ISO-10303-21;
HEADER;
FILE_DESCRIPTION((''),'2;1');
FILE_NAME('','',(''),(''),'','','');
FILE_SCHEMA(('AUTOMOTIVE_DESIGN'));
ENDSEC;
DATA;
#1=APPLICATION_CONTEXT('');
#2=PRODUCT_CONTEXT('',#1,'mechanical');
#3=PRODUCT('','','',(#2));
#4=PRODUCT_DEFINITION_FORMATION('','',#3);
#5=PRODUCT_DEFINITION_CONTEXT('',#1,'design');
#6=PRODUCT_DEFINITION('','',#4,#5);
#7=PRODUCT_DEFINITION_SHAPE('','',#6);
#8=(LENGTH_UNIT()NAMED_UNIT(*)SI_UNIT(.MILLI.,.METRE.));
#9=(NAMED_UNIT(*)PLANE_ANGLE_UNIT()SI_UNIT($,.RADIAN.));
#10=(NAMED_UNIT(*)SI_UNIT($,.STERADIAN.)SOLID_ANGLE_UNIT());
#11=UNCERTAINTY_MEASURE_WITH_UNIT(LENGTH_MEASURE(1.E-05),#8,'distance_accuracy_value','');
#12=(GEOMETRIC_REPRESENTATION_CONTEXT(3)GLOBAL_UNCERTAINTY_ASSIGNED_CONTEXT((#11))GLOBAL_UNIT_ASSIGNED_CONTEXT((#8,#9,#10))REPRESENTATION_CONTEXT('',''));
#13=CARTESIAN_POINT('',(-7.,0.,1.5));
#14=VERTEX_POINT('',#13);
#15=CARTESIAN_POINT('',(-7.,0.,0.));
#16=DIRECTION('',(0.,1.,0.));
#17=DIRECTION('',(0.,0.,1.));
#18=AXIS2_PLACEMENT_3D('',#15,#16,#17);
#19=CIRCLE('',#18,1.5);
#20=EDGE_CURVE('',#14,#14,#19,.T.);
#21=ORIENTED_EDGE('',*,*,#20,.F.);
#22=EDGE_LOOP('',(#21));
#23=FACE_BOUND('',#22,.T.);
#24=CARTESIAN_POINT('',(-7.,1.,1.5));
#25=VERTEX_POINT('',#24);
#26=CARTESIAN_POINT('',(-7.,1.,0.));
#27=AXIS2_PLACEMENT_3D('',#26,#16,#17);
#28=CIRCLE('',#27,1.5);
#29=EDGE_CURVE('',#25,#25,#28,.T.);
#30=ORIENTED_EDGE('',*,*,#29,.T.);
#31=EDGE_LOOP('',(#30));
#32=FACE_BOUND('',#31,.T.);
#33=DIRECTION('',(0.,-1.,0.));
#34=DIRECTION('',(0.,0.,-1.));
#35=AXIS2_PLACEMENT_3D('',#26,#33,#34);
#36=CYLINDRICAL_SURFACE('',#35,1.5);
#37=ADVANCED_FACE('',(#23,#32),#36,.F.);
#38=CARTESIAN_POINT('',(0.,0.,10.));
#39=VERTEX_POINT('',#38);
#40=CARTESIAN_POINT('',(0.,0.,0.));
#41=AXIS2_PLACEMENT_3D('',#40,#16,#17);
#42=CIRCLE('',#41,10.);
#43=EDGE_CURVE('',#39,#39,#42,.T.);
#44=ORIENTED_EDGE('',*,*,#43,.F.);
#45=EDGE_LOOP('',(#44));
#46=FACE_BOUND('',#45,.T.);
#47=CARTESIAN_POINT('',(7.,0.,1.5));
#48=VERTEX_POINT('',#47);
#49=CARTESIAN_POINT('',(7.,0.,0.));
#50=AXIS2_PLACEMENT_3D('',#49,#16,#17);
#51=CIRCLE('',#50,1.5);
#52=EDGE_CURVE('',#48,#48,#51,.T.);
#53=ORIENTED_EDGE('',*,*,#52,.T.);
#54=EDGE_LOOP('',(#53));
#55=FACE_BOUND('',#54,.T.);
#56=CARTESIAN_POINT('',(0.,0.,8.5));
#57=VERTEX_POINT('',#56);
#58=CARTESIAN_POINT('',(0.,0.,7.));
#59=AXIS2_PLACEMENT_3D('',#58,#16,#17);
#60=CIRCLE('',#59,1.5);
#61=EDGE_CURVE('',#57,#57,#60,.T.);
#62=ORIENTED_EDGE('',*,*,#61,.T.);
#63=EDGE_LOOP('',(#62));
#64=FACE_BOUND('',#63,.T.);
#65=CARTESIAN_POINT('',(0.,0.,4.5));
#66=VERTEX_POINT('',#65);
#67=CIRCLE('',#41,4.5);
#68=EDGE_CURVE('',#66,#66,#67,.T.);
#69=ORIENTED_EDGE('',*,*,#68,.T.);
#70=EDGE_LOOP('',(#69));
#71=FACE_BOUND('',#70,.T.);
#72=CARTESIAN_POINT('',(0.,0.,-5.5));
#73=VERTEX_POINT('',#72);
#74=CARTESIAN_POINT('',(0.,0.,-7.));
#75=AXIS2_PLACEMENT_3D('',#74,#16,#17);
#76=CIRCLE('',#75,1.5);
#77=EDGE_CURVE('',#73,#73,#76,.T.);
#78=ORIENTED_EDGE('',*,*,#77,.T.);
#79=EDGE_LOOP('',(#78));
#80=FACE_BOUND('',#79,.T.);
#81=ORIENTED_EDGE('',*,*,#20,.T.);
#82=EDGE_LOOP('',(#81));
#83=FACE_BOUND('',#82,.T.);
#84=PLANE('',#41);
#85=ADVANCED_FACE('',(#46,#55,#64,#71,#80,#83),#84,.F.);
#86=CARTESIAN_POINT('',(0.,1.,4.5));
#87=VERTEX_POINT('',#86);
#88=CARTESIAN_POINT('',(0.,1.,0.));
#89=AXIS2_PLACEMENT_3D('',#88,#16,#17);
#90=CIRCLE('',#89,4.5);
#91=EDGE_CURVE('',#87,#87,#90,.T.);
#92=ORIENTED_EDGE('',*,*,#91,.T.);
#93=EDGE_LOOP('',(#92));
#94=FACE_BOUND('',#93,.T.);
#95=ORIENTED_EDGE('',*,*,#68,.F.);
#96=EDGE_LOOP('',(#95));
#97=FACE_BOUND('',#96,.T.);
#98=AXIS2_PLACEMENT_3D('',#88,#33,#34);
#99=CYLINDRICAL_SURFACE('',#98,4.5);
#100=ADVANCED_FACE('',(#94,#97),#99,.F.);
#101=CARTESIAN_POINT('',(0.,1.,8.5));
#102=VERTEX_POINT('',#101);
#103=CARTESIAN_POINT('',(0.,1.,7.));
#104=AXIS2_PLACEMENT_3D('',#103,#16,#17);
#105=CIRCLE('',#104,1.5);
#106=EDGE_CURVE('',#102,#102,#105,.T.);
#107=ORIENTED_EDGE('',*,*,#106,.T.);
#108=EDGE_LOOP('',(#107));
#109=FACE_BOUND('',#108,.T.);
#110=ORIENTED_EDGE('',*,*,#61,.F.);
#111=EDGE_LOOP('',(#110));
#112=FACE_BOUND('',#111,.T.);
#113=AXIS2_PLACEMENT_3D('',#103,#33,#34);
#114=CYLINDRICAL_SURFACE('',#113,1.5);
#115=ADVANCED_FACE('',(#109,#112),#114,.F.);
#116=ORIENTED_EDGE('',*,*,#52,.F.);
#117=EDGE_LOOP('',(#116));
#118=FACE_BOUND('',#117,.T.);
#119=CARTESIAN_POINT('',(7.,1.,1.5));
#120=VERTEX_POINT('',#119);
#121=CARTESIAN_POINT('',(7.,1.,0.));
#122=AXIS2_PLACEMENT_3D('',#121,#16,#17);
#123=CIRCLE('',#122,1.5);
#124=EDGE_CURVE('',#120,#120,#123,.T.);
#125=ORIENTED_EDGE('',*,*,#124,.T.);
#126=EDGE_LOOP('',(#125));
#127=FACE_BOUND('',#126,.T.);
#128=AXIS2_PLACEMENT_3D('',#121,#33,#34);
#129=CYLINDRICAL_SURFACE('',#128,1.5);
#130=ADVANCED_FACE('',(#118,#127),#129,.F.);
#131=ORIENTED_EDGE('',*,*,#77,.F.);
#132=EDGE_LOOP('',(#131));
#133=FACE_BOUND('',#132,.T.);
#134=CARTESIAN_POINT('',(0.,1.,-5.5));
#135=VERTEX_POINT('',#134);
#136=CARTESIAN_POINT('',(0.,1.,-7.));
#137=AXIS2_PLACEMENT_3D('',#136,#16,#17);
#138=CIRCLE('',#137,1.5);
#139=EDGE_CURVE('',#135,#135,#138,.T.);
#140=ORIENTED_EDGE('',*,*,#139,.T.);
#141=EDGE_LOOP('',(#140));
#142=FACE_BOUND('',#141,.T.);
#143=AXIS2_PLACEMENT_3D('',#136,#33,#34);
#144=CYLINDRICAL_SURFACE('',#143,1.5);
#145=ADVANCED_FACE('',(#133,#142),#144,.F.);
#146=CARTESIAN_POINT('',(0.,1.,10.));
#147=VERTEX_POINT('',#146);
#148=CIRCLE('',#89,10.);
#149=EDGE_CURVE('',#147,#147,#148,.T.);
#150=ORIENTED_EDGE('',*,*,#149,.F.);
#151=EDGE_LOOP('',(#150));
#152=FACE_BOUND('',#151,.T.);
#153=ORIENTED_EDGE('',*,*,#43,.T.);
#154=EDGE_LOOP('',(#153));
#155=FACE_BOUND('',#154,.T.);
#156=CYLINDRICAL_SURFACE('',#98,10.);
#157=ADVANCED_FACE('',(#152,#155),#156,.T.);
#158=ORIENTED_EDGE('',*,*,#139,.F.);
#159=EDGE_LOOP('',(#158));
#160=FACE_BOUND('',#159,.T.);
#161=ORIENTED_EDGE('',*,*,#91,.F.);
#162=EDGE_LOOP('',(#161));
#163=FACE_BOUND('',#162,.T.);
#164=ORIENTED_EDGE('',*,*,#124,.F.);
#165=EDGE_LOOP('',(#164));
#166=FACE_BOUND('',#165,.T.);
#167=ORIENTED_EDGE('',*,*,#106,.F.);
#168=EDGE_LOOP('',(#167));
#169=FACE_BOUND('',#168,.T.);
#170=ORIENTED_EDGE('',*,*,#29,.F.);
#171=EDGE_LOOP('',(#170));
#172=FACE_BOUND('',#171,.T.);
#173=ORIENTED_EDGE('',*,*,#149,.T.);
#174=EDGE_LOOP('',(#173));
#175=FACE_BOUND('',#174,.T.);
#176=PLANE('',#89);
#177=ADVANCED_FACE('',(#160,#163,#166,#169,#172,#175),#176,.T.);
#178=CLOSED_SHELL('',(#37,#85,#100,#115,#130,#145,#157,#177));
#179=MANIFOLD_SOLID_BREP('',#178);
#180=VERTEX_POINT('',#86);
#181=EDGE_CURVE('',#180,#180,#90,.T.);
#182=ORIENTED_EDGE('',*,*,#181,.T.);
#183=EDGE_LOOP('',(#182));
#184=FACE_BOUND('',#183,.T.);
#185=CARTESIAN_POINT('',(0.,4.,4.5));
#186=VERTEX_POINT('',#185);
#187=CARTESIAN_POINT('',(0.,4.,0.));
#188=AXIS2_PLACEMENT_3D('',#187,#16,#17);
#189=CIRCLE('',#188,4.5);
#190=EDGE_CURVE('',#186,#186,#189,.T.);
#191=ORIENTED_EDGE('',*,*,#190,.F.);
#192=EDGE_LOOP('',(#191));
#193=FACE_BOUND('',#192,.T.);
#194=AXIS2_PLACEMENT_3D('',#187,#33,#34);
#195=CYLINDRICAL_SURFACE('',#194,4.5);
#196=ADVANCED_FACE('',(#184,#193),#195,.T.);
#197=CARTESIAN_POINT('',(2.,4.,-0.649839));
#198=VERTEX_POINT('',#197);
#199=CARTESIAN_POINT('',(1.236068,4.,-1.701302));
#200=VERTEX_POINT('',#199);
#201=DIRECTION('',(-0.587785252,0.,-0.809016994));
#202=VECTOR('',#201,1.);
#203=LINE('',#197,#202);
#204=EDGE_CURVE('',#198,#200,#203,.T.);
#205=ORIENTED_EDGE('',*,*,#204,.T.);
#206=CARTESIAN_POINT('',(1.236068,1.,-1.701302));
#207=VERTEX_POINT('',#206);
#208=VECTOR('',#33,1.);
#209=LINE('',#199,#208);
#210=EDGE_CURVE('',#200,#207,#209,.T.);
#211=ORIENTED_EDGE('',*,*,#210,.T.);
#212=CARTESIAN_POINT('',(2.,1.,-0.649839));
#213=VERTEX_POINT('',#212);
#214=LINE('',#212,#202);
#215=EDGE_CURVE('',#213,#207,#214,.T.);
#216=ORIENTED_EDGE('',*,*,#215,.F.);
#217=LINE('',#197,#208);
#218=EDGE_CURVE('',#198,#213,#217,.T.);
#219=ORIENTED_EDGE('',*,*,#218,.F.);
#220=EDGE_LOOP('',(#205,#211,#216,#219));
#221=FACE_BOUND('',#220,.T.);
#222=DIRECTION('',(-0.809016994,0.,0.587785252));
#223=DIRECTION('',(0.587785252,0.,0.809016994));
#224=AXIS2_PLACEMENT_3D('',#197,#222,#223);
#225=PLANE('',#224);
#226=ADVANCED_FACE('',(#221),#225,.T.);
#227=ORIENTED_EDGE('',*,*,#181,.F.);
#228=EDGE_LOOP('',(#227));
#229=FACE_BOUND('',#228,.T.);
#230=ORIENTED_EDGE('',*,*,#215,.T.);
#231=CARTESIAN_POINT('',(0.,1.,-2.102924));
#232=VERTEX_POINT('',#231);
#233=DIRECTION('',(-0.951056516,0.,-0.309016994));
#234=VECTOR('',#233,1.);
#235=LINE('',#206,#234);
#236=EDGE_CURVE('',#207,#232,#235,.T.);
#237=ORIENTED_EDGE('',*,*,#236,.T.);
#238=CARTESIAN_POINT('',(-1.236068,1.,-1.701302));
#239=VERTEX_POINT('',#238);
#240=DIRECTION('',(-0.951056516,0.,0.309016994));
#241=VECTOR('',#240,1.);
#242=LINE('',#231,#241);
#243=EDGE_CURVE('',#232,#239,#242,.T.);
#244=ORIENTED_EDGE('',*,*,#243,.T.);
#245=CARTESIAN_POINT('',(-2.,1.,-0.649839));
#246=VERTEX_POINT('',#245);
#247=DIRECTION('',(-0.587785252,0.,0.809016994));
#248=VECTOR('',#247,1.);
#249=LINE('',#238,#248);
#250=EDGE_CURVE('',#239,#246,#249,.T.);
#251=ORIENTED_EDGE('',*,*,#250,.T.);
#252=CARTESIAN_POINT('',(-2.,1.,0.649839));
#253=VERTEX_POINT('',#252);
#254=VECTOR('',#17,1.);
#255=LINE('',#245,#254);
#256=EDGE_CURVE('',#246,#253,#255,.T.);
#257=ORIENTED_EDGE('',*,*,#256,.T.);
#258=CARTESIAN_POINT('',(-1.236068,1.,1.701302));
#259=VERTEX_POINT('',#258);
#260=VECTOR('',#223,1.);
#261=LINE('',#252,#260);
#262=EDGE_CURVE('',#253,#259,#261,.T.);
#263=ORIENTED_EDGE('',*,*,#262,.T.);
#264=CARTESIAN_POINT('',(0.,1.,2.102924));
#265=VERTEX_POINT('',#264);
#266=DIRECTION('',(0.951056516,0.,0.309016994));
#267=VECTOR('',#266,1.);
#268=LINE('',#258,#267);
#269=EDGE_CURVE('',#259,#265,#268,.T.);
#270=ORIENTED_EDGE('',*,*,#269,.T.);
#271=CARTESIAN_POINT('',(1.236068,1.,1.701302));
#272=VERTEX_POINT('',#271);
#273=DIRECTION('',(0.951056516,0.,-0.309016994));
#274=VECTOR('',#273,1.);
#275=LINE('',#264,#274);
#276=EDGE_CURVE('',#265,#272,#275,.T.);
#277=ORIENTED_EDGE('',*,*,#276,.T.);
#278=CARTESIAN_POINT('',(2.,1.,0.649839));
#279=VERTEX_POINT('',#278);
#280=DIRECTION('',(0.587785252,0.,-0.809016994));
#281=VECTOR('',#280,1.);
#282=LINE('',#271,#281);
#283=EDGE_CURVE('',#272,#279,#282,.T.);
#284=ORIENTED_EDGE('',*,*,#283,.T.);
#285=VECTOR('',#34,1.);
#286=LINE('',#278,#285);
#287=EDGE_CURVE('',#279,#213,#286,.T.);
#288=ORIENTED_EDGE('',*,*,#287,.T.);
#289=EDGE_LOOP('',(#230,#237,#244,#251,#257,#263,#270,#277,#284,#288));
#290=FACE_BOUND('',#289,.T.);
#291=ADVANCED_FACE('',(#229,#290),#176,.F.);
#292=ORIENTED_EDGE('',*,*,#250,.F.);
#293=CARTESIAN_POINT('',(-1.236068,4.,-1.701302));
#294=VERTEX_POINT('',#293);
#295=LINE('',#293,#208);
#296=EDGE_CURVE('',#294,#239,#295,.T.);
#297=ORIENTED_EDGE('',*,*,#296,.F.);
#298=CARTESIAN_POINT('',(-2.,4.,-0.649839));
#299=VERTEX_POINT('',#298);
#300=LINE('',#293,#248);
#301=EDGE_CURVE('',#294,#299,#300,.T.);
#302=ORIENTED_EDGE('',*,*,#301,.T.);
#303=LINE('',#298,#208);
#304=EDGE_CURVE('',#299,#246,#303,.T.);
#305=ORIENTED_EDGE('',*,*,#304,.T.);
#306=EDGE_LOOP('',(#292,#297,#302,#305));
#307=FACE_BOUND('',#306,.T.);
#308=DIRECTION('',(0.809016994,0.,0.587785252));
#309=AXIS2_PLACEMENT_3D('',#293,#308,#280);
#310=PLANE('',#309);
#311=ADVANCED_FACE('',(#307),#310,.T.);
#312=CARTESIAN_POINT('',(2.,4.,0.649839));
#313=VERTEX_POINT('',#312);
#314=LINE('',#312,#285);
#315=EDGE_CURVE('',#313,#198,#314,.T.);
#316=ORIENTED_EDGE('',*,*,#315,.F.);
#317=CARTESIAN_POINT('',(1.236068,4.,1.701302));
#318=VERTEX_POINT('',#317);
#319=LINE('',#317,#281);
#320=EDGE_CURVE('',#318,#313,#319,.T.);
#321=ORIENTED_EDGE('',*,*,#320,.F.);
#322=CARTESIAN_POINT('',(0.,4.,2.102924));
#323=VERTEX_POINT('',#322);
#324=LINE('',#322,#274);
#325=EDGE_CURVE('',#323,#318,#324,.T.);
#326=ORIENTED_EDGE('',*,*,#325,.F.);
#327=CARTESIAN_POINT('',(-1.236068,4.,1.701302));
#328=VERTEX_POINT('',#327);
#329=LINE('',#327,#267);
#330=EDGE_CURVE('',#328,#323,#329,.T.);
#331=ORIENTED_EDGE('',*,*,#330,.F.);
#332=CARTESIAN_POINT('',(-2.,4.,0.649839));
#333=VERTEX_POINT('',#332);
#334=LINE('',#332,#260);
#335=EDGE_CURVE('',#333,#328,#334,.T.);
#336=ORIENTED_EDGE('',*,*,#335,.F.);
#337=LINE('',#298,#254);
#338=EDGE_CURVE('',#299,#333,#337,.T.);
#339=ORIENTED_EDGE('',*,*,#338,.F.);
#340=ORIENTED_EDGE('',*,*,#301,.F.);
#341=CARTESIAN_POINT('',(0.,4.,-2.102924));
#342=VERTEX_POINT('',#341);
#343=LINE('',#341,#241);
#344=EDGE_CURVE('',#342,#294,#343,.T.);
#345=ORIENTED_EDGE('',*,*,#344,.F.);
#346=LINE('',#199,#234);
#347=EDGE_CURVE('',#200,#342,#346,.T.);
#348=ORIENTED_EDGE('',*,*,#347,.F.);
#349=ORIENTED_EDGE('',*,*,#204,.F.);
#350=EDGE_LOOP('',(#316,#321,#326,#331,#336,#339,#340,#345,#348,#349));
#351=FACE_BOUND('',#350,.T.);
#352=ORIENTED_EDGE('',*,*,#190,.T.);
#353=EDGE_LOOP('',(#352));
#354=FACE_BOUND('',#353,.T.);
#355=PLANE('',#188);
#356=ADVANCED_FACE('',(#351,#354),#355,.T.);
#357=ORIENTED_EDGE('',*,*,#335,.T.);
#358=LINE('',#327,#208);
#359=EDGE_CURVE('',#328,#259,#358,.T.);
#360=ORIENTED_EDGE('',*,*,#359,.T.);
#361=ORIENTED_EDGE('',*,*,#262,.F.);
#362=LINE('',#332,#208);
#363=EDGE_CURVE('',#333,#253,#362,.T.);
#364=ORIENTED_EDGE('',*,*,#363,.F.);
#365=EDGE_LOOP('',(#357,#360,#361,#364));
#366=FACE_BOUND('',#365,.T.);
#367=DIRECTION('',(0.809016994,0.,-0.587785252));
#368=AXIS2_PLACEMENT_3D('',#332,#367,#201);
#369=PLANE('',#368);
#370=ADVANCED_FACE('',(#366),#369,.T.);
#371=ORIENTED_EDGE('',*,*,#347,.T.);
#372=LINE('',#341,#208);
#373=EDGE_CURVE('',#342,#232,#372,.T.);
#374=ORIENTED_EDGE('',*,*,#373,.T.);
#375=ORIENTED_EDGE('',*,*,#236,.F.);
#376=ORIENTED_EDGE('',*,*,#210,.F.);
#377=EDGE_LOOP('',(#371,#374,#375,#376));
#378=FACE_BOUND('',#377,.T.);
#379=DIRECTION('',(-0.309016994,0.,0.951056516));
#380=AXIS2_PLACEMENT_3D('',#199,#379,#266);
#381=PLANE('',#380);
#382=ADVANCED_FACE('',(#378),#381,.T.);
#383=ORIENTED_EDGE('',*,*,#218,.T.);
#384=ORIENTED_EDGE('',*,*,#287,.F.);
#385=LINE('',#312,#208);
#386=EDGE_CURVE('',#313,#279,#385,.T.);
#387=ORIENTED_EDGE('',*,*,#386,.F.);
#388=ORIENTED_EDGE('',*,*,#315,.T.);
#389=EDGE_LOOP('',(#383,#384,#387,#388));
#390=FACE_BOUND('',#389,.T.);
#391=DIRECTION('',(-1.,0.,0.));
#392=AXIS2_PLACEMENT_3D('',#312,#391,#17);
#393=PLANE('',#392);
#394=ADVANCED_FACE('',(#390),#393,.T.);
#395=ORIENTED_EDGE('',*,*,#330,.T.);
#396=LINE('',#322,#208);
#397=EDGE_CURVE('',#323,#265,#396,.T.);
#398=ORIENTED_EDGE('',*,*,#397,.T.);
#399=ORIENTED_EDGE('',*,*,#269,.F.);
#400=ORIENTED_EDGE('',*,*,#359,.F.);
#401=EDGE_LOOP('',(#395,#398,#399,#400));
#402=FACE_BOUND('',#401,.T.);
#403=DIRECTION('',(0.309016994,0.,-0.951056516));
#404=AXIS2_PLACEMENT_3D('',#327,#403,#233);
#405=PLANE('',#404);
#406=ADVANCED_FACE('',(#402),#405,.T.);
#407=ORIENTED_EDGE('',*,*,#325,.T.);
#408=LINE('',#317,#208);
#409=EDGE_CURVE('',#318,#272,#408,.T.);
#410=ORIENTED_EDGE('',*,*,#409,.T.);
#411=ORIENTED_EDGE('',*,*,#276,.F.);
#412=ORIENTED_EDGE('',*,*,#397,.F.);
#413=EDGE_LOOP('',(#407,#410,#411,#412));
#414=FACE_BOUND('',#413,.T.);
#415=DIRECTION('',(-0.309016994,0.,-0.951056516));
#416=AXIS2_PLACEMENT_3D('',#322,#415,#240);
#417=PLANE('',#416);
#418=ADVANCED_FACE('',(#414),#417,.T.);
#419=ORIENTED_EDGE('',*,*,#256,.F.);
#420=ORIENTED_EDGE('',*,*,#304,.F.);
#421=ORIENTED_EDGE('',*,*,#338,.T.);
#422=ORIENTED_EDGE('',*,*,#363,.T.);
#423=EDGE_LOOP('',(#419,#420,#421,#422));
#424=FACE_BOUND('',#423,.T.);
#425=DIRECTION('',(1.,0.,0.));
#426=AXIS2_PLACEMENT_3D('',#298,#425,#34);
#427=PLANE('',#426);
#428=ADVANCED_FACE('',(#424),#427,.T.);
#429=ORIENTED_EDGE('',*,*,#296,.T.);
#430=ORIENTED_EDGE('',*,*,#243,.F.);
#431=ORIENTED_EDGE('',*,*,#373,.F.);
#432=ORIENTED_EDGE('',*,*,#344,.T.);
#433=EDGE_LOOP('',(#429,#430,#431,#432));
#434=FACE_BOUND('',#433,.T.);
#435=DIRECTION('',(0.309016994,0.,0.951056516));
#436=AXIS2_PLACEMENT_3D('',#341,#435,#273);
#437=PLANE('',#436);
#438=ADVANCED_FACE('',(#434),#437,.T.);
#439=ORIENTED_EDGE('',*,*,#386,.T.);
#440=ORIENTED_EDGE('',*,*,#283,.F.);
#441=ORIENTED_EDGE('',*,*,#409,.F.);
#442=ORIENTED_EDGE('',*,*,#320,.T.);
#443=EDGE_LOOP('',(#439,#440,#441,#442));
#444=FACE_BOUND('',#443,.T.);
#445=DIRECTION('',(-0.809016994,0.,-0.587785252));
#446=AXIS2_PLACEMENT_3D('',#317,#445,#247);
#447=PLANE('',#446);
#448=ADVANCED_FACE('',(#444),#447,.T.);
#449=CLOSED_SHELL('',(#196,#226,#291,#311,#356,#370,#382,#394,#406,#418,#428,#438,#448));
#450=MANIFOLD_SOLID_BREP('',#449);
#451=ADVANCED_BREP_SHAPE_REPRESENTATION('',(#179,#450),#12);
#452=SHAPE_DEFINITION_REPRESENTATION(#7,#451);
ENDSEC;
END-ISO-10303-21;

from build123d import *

# Parameters (mm, degrees)
SKETCH1_R           = 10
SKETCH1_R_2         = 1.5
SKETCH1_R_3         = 4.5
BOSS_EXTRUDE1_DEPTH = 1
SKETCH2_R           = 4.5
BOSS_EXTRUDE2_DEPTH = 3


with BuildPart() as part:
    # Sketch1 → Boss-Extrude1 (new body)
    with BuildSketch(Plane(origin=(0, 0, 0), x_dir=(1, 0, 0), z_dir=(0, 1, 0))):
        with Locations(Location((0, 0, 0), (0, 0, 270))):
            Circle(SKETCH1_R)
        with Locations(Location((0, 7, 0), (0, 0, 270))):
            Circle(SKETCH1_R_2, mode=Mode.SUBTRACT)
        with Locations(Location((7, 0, 0), (0, 0, 270))):
            Circle(SKETCH1_R_2, mode=Mode.SUBTRACT)
        with Locations(Location((0, -7, 0), (0, 0, 270))):
            Circle(SKETCH1_R_2, mode=Mode.SUBTRACT)
        with Locations(Location((-7, 0, 0), (0, 0, 270))):
            Circle(SKETCH1_R_2, mode=Mode.SUBTRACT)
        with Locations(Location((0, 0, 0), (0, 0, 270))):
            Circle(SKETCH1_R_3, mode=Mode.SUBTRACT)
    extrude(amount=BOSS_EXTRUDE1_DEPTH)


with BuildPart() as body_2:
    # Sketch2 → Boss-Extrude2 (new body)
    with BuildSketch(Plane(origin=(0, 1, 0), x_dir=(1, 0, 0), z_dir=(0, 1, 0))):
        with Locations(Location((0, 0, 0), (0, 0, 270))):
            Circle(SKETCH2_R)
        Polygon((2, 0.649839392), (1.236067977, 1.701301617), (0, 2.102924448), (-1.236067977, 1.701301617), (-2, 0.649839392), (-2, -0.649839392), (-1.236067977, -1.701301617), (0, -2.102924448), (1.236067977, -1.701301617), (2, -0.649839392), align=None, mode=Mode.SUBTRACT)
    extrude(amount=BOSS_EXTRUDE2_DEPTH)


solid = Compound([part.part, body_2.part])
